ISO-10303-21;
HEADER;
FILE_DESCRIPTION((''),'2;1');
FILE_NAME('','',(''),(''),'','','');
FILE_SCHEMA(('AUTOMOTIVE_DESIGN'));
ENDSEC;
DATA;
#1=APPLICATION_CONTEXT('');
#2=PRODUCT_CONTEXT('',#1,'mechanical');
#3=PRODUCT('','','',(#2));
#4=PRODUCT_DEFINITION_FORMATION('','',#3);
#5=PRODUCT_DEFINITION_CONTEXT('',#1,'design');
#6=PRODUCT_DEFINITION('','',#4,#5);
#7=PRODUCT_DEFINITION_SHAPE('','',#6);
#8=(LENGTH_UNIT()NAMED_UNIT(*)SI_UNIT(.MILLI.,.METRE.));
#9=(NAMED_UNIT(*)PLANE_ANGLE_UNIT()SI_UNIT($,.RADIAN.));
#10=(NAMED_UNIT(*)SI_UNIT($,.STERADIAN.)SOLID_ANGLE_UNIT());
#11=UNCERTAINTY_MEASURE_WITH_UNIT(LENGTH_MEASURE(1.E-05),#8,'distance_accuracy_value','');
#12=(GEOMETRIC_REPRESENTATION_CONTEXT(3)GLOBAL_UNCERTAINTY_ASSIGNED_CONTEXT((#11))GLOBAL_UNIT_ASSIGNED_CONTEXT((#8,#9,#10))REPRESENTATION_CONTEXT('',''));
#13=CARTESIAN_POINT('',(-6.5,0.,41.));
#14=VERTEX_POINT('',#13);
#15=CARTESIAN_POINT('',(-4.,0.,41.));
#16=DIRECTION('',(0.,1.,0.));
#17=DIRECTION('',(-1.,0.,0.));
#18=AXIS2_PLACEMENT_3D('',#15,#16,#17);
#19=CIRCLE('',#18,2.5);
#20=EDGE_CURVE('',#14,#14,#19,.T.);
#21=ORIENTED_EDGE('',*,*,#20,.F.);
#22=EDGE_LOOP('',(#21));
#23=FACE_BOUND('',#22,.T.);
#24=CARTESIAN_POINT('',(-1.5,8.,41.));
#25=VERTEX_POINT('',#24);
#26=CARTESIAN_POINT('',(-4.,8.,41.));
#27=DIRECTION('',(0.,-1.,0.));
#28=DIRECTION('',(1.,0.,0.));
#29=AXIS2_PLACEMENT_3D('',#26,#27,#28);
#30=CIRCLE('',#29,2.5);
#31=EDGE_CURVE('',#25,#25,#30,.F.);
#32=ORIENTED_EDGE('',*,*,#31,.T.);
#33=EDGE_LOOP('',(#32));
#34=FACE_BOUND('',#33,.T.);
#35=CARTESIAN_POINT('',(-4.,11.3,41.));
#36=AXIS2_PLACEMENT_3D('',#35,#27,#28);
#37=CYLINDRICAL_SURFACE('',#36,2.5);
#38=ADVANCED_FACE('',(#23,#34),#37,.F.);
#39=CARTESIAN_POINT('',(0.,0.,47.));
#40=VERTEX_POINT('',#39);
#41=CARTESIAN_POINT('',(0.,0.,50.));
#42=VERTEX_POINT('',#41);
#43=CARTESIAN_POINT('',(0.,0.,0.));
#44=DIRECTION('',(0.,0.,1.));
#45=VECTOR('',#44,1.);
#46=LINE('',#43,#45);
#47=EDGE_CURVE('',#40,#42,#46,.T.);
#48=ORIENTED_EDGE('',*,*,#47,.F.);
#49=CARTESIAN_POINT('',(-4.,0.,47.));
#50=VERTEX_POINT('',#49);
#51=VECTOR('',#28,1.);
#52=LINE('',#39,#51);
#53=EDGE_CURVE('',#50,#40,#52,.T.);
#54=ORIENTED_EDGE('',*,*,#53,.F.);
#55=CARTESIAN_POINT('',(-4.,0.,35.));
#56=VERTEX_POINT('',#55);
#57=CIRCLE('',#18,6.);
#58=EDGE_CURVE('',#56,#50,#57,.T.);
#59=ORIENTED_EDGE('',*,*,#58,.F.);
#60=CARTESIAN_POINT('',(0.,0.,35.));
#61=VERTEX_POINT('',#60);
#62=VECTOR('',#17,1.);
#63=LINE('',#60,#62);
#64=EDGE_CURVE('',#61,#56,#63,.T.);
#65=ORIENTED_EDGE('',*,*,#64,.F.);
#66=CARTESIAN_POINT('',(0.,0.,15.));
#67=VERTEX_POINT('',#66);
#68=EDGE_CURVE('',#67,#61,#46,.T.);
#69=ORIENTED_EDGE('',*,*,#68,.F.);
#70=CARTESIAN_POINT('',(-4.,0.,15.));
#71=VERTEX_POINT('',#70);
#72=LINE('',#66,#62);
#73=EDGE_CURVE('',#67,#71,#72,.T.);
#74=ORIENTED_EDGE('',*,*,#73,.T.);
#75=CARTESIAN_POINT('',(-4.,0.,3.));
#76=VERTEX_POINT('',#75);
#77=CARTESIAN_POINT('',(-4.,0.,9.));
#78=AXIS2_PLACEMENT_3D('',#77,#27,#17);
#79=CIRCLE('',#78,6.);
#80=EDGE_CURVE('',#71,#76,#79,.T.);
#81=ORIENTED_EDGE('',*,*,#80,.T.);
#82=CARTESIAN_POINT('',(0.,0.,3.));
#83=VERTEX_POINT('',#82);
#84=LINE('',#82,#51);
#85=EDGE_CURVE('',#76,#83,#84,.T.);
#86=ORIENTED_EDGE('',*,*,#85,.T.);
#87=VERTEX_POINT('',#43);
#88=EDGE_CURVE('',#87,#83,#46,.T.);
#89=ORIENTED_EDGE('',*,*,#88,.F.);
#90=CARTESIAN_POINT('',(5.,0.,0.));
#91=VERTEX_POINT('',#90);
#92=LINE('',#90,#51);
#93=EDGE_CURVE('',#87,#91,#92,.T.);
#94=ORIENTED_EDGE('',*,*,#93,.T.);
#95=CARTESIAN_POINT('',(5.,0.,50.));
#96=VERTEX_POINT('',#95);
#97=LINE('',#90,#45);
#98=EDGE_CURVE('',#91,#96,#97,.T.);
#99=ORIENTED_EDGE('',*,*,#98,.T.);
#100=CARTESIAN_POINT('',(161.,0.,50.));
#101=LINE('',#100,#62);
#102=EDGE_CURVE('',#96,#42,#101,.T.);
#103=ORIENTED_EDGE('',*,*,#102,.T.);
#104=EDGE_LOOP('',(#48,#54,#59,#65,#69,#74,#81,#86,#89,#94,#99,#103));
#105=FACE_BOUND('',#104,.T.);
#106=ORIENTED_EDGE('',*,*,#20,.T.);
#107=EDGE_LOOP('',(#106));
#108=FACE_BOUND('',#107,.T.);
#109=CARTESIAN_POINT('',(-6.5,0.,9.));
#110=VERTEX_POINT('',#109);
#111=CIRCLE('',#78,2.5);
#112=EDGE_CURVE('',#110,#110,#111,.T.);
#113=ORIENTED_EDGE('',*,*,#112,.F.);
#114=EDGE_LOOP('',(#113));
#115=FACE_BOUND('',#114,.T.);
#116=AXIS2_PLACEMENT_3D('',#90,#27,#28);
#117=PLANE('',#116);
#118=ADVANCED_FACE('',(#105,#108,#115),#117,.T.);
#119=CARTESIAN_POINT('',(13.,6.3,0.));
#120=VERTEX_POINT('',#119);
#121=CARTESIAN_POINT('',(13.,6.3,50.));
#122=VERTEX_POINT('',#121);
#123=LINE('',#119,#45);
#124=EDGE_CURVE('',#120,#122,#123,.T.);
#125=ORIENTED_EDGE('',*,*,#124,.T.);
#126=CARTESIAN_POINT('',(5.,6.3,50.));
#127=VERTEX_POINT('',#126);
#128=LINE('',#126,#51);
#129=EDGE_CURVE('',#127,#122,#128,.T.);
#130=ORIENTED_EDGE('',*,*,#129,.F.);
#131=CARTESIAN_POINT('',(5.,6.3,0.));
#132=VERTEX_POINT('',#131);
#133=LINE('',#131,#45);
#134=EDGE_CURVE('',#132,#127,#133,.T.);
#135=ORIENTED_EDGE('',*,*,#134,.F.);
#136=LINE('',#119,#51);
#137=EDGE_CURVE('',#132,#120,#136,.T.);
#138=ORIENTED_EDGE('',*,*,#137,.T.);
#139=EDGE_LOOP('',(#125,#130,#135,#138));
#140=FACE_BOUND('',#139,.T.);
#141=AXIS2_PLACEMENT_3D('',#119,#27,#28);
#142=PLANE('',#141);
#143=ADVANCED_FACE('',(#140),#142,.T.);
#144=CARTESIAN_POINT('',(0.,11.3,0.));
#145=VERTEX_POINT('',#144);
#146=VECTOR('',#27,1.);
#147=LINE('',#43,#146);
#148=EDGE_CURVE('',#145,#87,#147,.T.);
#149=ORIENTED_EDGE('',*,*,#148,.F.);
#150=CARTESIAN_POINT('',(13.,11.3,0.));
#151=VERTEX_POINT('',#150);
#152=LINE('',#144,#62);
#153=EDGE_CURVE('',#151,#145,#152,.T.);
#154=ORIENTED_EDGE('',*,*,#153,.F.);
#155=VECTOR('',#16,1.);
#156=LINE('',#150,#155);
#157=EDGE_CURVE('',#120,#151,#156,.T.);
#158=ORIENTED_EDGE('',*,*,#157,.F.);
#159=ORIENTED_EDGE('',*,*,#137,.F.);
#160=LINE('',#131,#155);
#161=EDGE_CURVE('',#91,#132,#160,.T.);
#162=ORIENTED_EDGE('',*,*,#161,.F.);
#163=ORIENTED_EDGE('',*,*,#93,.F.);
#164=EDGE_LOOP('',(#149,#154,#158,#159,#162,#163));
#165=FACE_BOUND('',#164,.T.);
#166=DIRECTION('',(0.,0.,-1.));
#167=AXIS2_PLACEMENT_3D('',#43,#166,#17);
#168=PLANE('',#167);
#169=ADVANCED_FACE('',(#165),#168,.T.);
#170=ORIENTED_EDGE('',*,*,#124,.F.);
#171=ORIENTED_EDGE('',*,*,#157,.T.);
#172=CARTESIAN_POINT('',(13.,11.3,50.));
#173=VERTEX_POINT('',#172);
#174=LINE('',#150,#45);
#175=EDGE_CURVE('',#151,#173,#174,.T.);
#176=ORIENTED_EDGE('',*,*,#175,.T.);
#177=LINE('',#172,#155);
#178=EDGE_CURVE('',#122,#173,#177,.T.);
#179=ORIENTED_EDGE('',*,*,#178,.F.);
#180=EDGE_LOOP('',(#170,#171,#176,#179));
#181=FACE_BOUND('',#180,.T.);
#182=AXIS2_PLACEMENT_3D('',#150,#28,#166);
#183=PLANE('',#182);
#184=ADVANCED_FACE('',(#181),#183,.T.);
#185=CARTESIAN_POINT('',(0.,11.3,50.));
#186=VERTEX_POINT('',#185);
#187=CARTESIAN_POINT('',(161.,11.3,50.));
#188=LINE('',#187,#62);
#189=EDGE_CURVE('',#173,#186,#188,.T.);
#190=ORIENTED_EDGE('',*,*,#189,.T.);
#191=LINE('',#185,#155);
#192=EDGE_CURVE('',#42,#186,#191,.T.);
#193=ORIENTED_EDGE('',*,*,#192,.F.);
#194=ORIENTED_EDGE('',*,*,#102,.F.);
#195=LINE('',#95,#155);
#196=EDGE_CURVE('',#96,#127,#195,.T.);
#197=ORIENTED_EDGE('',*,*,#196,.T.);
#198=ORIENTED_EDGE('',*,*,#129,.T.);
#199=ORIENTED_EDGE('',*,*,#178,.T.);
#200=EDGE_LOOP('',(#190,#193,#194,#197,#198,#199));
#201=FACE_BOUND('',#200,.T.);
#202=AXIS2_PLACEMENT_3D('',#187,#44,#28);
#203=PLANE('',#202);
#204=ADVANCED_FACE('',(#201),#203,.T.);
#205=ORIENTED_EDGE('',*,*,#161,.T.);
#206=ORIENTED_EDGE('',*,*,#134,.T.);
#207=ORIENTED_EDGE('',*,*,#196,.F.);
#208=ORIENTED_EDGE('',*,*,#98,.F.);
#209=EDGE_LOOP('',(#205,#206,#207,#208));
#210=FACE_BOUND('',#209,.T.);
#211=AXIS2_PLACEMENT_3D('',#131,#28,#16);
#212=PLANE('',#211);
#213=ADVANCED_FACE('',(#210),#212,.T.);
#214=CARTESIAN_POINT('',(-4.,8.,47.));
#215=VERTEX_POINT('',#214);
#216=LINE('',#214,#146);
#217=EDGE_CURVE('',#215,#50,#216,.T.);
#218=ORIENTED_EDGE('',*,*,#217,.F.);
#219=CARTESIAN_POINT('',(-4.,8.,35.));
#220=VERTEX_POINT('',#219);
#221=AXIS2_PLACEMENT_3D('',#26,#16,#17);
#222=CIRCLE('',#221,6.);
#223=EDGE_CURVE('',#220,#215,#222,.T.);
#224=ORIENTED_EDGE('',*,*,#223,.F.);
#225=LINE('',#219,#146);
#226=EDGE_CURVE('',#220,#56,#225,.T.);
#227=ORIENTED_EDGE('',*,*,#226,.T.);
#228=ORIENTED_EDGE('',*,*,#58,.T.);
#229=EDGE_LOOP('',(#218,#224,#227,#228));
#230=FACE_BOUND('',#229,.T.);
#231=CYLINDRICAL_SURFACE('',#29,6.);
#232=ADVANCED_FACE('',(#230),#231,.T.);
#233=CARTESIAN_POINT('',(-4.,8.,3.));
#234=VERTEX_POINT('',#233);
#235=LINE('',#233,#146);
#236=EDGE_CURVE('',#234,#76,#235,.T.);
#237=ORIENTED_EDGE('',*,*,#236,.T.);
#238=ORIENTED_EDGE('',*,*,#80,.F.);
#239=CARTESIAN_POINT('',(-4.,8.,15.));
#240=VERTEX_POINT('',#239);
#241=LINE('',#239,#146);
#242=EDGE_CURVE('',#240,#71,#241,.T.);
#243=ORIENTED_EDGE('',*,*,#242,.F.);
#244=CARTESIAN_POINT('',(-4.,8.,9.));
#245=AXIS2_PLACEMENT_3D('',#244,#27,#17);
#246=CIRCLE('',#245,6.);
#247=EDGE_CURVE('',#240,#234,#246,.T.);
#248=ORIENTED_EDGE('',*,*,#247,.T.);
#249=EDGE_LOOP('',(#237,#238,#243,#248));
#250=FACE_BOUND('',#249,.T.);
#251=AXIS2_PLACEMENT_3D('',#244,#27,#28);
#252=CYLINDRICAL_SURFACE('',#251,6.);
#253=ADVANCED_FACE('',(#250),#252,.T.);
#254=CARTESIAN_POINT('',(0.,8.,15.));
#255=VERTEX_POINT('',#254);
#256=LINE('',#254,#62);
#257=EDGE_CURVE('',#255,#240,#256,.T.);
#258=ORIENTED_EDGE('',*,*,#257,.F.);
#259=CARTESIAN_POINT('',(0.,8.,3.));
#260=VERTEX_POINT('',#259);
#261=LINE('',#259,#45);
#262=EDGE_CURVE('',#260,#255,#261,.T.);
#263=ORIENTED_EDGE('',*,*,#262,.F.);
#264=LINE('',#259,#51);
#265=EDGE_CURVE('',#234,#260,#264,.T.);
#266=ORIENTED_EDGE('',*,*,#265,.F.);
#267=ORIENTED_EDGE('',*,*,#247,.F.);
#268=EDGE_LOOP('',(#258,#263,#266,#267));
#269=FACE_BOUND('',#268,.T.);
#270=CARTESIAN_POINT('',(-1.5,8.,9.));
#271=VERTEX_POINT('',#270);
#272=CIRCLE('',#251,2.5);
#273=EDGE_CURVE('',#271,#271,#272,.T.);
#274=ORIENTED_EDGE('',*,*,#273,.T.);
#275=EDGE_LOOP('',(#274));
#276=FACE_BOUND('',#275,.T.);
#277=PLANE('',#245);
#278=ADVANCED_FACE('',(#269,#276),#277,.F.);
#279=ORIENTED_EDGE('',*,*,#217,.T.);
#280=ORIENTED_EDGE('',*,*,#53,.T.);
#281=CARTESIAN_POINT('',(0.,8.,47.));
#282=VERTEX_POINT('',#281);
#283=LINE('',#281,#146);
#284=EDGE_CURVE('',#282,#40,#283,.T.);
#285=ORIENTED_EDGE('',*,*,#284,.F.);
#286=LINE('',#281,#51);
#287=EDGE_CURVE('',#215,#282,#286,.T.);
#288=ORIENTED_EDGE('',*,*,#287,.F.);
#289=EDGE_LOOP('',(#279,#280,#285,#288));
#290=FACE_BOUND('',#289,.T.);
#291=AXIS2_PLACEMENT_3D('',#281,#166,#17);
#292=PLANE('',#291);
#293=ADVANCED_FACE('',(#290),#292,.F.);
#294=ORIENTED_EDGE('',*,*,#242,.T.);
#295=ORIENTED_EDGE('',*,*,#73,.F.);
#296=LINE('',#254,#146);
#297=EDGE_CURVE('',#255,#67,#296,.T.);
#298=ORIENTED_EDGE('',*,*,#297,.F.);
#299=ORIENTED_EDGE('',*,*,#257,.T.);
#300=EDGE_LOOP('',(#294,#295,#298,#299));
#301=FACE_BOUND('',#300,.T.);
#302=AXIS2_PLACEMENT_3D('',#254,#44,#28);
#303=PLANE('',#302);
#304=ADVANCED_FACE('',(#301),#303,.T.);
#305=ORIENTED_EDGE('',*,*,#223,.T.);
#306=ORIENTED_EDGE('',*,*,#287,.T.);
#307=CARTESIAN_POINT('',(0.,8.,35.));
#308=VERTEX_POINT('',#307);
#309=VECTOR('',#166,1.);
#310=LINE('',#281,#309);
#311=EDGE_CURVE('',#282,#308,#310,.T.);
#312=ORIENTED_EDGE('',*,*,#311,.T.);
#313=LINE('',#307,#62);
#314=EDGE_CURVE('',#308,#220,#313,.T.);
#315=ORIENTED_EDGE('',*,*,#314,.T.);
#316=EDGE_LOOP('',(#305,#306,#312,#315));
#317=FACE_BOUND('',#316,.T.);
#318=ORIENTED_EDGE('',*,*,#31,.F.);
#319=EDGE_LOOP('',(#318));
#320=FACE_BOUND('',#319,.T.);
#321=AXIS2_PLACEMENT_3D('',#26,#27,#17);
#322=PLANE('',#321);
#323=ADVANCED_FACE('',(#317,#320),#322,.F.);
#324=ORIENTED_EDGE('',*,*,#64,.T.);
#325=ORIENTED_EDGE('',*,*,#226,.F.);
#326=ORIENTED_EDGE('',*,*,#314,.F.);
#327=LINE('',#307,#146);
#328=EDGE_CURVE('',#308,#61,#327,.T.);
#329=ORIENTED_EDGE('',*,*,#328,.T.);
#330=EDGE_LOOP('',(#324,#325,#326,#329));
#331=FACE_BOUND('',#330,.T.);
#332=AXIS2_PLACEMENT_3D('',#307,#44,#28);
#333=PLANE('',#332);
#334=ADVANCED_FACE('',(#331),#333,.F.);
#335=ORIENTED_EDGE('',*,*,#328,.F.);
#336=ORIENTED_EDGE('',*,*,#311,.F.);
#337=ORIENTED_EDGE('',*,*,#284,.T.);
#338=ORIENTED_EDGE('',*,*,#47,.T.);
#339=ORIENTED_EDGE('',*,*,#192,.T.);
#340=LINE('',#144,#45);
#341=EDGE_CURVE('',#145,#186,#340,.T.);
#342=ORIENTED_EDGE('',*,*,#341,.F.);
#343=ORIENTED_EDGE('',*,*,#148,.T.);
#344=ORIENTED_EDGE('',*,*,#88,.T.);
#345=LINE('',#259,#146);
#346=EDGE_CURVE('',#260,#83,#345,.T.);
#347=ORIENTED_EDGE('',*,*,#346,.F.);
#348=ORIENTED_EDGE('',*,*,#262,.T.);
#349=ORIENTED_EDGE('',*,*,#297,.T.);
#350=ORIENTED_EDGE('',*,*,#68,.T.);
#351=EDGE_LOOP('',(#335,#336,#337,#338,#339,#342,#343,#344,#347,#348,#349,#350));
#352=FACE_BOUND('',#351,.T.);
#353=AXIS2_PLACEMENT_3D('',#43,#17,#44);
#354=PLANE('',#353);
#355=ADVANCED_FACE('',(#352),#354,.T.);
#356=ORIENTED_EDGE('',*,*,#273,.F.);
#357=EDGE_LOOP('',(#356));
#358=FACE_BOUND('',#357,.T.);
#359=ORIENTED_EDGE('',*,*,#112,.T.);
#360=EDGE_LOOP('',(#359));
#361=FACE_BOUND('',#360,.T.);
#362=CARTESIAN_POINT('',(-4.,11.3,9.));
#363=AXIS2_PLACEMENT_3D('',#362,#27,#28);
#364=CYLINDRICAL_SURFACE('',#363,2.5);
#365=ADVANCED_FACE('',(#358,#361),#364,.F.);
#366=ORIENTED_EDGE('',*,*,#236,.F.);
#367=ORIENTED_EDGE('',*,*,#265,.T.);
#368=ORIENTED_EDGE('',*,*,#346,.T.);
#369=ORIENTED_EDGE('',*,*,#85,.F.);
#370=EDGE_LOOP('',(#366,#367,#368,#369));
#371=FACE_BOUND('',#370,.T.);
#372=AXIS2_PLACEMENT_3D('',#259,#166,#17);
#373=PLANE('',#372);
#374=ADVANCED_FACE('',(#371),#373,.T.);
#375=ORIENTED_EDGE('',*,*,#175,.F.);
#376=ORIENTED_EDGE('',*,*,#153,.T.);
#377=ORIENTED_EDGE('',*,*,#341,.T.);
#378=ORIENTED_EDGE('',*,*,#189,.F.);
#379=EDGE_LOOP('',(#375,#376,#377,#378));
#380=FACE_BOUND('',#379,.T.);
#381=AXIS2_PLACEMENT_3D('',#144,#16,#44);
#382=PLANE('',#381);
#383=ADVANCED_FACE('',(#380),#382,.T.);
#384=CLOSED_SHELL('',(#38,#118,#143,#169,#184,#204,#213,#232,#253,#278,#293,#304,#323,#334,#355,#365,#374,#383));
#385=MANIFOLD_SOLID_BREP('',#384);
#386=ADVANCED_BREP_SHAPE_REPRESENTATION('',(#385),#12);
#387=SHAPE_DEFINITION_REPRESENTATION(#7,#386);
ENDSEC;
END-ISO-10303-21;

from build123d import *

# Parameters (mm, degrees)
CROQUIS4_W                = 13
CROQUIS4_H                = 11.3
SALIENTE_EXTRUIR1_DEPTH   = 161
CROQUIS5_W                = 151
CROQUIS5_H                = 3.5
CORTAR_EXTRUIR1_DEPTH     = 6.3
SALIENTE_EXTRUIR3_DEPTH   = 8
CROQUIS9_R                = 2.5
CORTAR_EXTRUIR3_DEPTH     = 179.518038304
SIMETR_A8_COPY_1_DEPTH    = 8
SIMETR_A8_COPY_2_SKETCH_R = 2.5
SIMETR_A8_COPY_2_DEPTH    = 179.518038304
CROQUIS10_R               = 2.5
CORTAR_EXTRUIR4_DEPTH     = 179.518038304
MATRIZL1_COUNT            = 3
MATRIZL1_PITCH            = 40.5
CROQUIS11_W               = 64.853728184
CROQUIS11_H               = 22.965019475
CORTAR_EXTRUIR5_DEPTH     = 167.107465215
CROQUIS12_W               = 8
CROQUIS12_H               = 6.3
CORTAR_EXTRUIR6_DEPTH     = 45.010680522


with BuildPart() as part:
    # Barrer1: sweep along a path in Croquis3
    with BuildLine(Plane(origin=(0, 0, 0), x_dir=(1, 0, 0), z_dir=(0, 1, 0))) as barrer1_path:
        Line((0, 0), (0, -37))
    # Croquis1 → Barrer1 (sweep)
    with BuildSketch(Plane.XY):
        Polygon((0, 0), (0, 11.3), (13, 11.3), (13, 6.3), (5, 6.3), (5, 0), align=None)
    barrer1 = sweep(path=barrer1_path.line)

    # Croquis4 → Saliente-Extruir1 (add)
    with BuildSketch(Plane.ZY):
        with Locations((43.5, 5.65)):
            Rectangle(CROQUIS4_W, CROQUIS4_H)
    extrude(amount=-SALIENTE_EXTRUIR1_DEPTH)

    # Simetría5: Barrer1 across plane
    add(barrer1.mirror(Plane.ZY.offset(-80.5)))

    # Croquis5 → Cortar-Extruir1 (cut)
    with BuildSketch(Plane.XZ):
        with Locations((80.5, 38.75)):
            Rectangle(CROQUIS5_W, CROQUIS5_H)
    extrude(amount=-CORTAR_EXTRUIR1_DEPTH, mode=Mode.SUBTRACT)

    # Croquis8 → Saliente-Extruir3 (add)
    with BuildSketch(Plane.XZ):
        with BuildLine():
            Line((161, 47), (165, 47))
            ThreePointArc((165, 47), (171, 41), (165, 35))
            Line((165, 35), (161, 35))
            Line((161, 35), (161, 47))
        make_face()
    saliente_extruir3 = extrude(amount=-SALIENTE_EXTRUIR3_DEPTH)

    # Croquis9 → Cortar-Extruir3 (cut, through all)
    with BuildSketch(Plane.XZ):
        with Locations((165, 41)):
            Circle(CROQUIS9_R)
    cortar_extruir3 = extrude(amount=-CORTAR_EXTRUIR3_DEPTH, mode=Mode.SUBTRACT)

    # Simetría7: Saliente-Extruir3, Cortar-Extruir3 across plane
    add(saliente_extruir3.mirror(Plane(origin=(0, 0, 25), x_dir=(1, 0, 0), z_dir=(0, 0, -1))))
    add(cortar_extruir3.mirror(Plane(origin=(0, 0, 25), x_dir=(1, 0, 0), z_dir=(0, 0, -1))), mode=Mode.SUBTRACT)

    # Simetría8: Saliente-Extruir3, Cortar-Extruir3 across plane
    add(saliente_extruir3.mirror(Plane.ZY.offset(-80.5)))
    add(cortar_extruir3.mirror(Plane.ZY.offset(-80.5)), mode=Mode.SUBTRACT)

    # Simetría8 copy 1 sketch → Simetría8 copy 1 (add)
    with BuildSketch(Plane(origin=(161, 0, 50), x_dir=(-1, 0, 0), z_dir=(0, -1, 0))):
        with BuildLine():
            Line((161, 47), (165, 47))
            ThreePointArc((165, 47), (171, 41), (165, 35))
            Line((165, 35), (161, 35))
            Line((161, 35), (161, 47))
        make_face()
    extrude(amount=-SIMETR_A8_COPY_1_DEPTH)

    # Simetría8 copy 2 sketch → Simetría8 copy 2 (cut, through all)
    with BuildSketch(Plane(origin=(161, 0, 50), x_dir=(-1, 0, 0), z_dir=(0, -1, 0))):
        with Locations((165, 41)):
            Circle(SIMETR_A8_COPY_2_SKETCH_R)
    extrude(amount=-SIMETR_A8_COPY_2_DEPTH, mode=Mode.SUBTRACT)

    # Croquis10 → Cortar-Extruir4 (cut, through all)
    with BuildSketch(Plane(origin=(0, 11.3, 0), x_dir=(1, 0, 0), z_dir=(0, 1, 0))):
        with Locations(Location((121, -45.25, 0), (0, 0, 270))):
            Circle(CROQUIS10_R)
    cortar_extruir4 = extrude(amount=-CORTAR_EXTRUIR4_DEPTH, mode=Mode.SUBTRACT)

    # MatrizL1: Cortar-Extruir4 ×3
    with Locations(*[(-i * MATRIZL1_PITCH, 0, 0) for i in range(1, MATRIZL1_COUNT)]):
        add(cortar_extruir4, mode=Mode.SUBTRACT)

    # Croquis11 → Cortar-Extruir5 (cut, through all)
    with BuildSketch(Plane(origin=(13, 0, 0), x_dir=(0, 0, -1), z_dir=(1, 0, 0))):
        with Locations((-26.956517022, 7.895183468)):
            Rectangle(CROQUIS11_W, CROQUIS11_H)
    extrude(amount=CORTAR_EXTRUIR5_DEPTH, mode=Mode.SUBTRACT)

    # Croquis12 → Cortar-Extruir6 (cut, through all)
    with BuildSketch(Plane(origin=(0, 0, 40.5), x_dir=(-1, 0, 0), z_dir=(0, 0, -1))):
        with Locations((-9, 3.15)):
            Rectangle(CROQUIS12_W, CROQUIS12_H)
    extrude(amount=-CORTAR_EXTRUIR6_DEPTH, mode=Mode.SUBTRACT)


solid = part.part
